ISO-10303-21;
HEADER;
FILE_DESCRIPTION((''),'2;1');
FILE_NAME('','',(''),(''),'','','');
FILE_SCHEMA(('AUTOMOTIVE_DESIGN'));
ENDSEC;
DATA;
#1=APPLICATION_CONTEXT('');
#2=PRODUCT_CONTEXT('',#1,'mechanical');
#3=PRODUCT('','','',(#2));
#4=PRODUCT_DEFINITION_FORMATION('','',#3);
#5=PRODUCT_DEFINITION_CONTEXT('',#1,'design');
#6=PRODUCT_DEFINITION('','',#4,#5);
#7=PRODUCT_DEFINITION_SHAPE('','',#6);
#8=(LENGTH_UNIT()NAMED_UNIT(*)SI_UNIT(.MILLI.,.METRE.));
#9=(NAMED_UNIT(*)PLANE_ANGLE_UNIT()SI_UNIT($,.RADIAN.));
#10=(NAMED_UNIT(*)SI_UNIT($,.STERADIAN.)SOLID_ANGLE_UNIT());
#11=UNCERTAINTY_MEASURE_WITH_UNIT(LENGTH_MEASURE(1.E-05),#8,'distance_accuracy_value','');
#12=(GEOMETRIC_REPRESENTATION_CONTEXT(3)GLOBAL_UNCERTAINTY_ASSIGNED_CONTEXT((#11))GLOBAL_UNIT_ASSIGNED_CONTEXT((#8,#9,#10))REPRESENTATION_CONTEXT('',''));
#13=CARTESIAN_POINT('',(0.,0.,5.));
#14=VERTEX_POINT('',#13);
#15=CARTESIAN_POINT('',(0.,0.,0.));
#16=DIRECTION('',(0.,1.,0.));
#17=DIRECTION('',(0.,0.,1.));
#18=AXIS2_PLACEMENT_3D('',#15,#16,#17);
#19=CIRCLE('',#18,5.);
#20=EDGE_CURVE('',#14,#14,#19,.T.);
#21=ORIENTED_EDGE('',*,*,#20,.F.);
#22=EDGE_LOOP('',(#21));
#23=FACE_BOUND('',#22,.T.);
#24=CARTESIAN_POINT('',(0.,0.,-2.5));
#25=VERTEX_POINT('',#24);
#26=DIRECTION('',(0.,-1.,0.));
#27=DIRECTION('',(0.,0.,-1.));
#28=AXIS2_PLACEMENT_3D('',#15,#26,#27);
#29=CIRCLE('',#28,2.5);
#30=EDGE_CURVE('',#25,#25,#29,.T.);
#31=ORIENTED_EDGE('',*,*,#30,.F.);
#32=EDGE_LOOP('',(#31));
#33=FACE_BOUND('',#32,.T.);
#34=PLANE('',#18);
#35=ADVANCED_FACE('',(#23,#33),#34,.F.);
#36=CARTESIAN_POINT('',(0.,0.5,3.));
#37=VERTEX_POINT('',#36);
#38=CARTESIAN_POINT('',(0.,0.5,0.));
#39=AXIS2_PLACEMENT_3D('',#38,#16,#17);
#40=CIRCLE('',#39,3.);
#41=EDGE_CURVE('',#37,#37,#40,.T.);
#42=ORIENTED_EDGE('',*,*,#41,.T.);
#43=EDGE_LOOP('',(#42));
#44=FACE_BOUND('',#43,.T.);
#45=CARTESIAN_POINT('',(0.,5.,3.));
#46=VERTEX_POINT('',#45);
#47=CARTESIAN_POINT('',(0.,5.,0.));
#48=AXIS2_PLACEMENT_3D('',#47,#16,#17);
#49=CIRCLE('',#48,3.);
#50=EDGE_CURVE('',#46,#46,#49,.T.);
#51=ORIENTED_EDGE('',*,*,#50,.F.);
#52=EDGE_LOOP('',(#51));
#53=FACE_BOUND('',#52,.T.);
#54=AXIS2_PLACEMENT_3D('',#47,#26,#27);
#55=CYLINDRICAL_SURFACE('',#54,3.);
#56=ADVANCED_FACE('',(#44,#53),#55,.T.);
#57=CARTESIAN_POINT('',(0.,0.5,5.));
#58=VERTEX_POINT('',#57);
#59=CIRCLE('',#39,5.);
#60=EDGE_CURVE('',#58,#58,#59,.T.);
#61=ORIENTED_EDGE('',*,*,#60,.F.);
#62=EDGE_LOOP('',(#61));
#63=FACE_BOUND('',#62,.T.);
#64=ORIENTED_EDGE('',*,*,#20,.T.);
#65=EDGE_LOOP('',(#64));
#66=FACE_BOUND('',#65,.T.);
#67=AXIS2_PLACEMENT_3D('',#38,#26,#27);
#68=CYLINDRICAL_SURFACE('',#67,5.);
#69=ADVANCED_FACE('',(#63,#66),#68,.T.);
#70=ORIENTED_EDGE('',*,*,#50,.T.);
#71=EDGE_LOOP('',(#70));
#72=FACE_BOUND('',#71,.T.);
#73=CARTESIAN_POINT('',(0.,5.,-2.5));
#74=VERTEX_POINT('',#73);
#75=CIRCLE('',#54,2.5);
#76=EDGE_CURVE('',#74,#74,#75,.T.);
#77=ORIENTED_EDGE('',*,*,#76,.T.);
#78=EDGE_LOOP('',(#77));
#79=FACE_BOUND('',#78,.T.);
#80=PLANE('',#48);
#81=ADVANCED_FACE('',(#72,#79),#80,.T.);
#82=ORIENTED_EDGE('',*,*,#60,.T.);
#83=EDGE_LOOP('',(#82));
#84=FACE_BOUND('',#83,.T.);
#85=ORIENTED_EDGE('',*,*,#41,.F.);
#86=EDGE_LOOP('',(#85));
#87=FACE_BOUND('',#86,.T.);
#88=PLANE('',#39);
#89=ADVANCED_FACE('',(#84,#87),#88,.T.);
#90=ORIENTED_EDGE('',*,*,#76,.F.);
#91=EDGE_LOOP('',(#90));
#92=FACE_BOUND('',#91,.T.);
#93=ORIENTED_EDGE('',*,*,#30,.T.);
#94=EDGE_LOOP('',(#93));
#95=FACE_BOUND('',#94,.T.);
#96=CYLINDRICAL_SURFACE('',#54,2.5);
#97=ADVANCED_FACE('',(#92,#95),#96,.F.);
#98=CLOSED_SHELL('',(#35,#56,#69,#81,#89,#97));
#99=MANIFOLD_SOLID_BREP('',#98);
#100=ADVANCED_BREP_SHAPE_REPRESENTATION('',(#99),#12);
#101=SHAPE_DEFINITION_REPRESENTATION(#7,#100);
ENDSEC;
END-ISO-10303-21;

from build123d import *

# Parameters (mm, degrees)
SKETCH_1_R          = 5
EXTRUDE_1_DEPTH     = 0.5
SKETCH_2_R          = 3
EXTRUDE_2_DEPTH     = 4.5
SKETCH_3_R          = 2.5
CUT_EXTRUDE_1_DEPTH = 9.660254038


with BuildPart() as part:
    # 草图1 → 凸台-拉伸1 (new body)
    with BuildSketch(Plane(origin=(0, 0, 0), x_dir=(1, 0, 0), z_dir=(0, 1, 0))):
        Circle(SKETCH_1_R)
    extrude(amount=EXTRUDE_1_DEPTH)

    # 草图2 → 凸台-拉伸2 (add)
    with BuildSketch(Plane(origin=(0, 0.5, 0), x_dir=(1, 0, 0), z_dir=(0, 1, 0))):
        Circle(SKETCH_2_R)
    extrude(amount=EXTRUDE_2_DEPTH)

    # 草图3 → 切除-拉伸1 (cut, through all)
    with BuildSketch(Plane.XZ):
        Circle(SKETCH_3_R)
    extrude(amount=-CUT_EXTRUDE_1_DEPTH, mode=Mode.SUBTRACT)


solid = part.part
